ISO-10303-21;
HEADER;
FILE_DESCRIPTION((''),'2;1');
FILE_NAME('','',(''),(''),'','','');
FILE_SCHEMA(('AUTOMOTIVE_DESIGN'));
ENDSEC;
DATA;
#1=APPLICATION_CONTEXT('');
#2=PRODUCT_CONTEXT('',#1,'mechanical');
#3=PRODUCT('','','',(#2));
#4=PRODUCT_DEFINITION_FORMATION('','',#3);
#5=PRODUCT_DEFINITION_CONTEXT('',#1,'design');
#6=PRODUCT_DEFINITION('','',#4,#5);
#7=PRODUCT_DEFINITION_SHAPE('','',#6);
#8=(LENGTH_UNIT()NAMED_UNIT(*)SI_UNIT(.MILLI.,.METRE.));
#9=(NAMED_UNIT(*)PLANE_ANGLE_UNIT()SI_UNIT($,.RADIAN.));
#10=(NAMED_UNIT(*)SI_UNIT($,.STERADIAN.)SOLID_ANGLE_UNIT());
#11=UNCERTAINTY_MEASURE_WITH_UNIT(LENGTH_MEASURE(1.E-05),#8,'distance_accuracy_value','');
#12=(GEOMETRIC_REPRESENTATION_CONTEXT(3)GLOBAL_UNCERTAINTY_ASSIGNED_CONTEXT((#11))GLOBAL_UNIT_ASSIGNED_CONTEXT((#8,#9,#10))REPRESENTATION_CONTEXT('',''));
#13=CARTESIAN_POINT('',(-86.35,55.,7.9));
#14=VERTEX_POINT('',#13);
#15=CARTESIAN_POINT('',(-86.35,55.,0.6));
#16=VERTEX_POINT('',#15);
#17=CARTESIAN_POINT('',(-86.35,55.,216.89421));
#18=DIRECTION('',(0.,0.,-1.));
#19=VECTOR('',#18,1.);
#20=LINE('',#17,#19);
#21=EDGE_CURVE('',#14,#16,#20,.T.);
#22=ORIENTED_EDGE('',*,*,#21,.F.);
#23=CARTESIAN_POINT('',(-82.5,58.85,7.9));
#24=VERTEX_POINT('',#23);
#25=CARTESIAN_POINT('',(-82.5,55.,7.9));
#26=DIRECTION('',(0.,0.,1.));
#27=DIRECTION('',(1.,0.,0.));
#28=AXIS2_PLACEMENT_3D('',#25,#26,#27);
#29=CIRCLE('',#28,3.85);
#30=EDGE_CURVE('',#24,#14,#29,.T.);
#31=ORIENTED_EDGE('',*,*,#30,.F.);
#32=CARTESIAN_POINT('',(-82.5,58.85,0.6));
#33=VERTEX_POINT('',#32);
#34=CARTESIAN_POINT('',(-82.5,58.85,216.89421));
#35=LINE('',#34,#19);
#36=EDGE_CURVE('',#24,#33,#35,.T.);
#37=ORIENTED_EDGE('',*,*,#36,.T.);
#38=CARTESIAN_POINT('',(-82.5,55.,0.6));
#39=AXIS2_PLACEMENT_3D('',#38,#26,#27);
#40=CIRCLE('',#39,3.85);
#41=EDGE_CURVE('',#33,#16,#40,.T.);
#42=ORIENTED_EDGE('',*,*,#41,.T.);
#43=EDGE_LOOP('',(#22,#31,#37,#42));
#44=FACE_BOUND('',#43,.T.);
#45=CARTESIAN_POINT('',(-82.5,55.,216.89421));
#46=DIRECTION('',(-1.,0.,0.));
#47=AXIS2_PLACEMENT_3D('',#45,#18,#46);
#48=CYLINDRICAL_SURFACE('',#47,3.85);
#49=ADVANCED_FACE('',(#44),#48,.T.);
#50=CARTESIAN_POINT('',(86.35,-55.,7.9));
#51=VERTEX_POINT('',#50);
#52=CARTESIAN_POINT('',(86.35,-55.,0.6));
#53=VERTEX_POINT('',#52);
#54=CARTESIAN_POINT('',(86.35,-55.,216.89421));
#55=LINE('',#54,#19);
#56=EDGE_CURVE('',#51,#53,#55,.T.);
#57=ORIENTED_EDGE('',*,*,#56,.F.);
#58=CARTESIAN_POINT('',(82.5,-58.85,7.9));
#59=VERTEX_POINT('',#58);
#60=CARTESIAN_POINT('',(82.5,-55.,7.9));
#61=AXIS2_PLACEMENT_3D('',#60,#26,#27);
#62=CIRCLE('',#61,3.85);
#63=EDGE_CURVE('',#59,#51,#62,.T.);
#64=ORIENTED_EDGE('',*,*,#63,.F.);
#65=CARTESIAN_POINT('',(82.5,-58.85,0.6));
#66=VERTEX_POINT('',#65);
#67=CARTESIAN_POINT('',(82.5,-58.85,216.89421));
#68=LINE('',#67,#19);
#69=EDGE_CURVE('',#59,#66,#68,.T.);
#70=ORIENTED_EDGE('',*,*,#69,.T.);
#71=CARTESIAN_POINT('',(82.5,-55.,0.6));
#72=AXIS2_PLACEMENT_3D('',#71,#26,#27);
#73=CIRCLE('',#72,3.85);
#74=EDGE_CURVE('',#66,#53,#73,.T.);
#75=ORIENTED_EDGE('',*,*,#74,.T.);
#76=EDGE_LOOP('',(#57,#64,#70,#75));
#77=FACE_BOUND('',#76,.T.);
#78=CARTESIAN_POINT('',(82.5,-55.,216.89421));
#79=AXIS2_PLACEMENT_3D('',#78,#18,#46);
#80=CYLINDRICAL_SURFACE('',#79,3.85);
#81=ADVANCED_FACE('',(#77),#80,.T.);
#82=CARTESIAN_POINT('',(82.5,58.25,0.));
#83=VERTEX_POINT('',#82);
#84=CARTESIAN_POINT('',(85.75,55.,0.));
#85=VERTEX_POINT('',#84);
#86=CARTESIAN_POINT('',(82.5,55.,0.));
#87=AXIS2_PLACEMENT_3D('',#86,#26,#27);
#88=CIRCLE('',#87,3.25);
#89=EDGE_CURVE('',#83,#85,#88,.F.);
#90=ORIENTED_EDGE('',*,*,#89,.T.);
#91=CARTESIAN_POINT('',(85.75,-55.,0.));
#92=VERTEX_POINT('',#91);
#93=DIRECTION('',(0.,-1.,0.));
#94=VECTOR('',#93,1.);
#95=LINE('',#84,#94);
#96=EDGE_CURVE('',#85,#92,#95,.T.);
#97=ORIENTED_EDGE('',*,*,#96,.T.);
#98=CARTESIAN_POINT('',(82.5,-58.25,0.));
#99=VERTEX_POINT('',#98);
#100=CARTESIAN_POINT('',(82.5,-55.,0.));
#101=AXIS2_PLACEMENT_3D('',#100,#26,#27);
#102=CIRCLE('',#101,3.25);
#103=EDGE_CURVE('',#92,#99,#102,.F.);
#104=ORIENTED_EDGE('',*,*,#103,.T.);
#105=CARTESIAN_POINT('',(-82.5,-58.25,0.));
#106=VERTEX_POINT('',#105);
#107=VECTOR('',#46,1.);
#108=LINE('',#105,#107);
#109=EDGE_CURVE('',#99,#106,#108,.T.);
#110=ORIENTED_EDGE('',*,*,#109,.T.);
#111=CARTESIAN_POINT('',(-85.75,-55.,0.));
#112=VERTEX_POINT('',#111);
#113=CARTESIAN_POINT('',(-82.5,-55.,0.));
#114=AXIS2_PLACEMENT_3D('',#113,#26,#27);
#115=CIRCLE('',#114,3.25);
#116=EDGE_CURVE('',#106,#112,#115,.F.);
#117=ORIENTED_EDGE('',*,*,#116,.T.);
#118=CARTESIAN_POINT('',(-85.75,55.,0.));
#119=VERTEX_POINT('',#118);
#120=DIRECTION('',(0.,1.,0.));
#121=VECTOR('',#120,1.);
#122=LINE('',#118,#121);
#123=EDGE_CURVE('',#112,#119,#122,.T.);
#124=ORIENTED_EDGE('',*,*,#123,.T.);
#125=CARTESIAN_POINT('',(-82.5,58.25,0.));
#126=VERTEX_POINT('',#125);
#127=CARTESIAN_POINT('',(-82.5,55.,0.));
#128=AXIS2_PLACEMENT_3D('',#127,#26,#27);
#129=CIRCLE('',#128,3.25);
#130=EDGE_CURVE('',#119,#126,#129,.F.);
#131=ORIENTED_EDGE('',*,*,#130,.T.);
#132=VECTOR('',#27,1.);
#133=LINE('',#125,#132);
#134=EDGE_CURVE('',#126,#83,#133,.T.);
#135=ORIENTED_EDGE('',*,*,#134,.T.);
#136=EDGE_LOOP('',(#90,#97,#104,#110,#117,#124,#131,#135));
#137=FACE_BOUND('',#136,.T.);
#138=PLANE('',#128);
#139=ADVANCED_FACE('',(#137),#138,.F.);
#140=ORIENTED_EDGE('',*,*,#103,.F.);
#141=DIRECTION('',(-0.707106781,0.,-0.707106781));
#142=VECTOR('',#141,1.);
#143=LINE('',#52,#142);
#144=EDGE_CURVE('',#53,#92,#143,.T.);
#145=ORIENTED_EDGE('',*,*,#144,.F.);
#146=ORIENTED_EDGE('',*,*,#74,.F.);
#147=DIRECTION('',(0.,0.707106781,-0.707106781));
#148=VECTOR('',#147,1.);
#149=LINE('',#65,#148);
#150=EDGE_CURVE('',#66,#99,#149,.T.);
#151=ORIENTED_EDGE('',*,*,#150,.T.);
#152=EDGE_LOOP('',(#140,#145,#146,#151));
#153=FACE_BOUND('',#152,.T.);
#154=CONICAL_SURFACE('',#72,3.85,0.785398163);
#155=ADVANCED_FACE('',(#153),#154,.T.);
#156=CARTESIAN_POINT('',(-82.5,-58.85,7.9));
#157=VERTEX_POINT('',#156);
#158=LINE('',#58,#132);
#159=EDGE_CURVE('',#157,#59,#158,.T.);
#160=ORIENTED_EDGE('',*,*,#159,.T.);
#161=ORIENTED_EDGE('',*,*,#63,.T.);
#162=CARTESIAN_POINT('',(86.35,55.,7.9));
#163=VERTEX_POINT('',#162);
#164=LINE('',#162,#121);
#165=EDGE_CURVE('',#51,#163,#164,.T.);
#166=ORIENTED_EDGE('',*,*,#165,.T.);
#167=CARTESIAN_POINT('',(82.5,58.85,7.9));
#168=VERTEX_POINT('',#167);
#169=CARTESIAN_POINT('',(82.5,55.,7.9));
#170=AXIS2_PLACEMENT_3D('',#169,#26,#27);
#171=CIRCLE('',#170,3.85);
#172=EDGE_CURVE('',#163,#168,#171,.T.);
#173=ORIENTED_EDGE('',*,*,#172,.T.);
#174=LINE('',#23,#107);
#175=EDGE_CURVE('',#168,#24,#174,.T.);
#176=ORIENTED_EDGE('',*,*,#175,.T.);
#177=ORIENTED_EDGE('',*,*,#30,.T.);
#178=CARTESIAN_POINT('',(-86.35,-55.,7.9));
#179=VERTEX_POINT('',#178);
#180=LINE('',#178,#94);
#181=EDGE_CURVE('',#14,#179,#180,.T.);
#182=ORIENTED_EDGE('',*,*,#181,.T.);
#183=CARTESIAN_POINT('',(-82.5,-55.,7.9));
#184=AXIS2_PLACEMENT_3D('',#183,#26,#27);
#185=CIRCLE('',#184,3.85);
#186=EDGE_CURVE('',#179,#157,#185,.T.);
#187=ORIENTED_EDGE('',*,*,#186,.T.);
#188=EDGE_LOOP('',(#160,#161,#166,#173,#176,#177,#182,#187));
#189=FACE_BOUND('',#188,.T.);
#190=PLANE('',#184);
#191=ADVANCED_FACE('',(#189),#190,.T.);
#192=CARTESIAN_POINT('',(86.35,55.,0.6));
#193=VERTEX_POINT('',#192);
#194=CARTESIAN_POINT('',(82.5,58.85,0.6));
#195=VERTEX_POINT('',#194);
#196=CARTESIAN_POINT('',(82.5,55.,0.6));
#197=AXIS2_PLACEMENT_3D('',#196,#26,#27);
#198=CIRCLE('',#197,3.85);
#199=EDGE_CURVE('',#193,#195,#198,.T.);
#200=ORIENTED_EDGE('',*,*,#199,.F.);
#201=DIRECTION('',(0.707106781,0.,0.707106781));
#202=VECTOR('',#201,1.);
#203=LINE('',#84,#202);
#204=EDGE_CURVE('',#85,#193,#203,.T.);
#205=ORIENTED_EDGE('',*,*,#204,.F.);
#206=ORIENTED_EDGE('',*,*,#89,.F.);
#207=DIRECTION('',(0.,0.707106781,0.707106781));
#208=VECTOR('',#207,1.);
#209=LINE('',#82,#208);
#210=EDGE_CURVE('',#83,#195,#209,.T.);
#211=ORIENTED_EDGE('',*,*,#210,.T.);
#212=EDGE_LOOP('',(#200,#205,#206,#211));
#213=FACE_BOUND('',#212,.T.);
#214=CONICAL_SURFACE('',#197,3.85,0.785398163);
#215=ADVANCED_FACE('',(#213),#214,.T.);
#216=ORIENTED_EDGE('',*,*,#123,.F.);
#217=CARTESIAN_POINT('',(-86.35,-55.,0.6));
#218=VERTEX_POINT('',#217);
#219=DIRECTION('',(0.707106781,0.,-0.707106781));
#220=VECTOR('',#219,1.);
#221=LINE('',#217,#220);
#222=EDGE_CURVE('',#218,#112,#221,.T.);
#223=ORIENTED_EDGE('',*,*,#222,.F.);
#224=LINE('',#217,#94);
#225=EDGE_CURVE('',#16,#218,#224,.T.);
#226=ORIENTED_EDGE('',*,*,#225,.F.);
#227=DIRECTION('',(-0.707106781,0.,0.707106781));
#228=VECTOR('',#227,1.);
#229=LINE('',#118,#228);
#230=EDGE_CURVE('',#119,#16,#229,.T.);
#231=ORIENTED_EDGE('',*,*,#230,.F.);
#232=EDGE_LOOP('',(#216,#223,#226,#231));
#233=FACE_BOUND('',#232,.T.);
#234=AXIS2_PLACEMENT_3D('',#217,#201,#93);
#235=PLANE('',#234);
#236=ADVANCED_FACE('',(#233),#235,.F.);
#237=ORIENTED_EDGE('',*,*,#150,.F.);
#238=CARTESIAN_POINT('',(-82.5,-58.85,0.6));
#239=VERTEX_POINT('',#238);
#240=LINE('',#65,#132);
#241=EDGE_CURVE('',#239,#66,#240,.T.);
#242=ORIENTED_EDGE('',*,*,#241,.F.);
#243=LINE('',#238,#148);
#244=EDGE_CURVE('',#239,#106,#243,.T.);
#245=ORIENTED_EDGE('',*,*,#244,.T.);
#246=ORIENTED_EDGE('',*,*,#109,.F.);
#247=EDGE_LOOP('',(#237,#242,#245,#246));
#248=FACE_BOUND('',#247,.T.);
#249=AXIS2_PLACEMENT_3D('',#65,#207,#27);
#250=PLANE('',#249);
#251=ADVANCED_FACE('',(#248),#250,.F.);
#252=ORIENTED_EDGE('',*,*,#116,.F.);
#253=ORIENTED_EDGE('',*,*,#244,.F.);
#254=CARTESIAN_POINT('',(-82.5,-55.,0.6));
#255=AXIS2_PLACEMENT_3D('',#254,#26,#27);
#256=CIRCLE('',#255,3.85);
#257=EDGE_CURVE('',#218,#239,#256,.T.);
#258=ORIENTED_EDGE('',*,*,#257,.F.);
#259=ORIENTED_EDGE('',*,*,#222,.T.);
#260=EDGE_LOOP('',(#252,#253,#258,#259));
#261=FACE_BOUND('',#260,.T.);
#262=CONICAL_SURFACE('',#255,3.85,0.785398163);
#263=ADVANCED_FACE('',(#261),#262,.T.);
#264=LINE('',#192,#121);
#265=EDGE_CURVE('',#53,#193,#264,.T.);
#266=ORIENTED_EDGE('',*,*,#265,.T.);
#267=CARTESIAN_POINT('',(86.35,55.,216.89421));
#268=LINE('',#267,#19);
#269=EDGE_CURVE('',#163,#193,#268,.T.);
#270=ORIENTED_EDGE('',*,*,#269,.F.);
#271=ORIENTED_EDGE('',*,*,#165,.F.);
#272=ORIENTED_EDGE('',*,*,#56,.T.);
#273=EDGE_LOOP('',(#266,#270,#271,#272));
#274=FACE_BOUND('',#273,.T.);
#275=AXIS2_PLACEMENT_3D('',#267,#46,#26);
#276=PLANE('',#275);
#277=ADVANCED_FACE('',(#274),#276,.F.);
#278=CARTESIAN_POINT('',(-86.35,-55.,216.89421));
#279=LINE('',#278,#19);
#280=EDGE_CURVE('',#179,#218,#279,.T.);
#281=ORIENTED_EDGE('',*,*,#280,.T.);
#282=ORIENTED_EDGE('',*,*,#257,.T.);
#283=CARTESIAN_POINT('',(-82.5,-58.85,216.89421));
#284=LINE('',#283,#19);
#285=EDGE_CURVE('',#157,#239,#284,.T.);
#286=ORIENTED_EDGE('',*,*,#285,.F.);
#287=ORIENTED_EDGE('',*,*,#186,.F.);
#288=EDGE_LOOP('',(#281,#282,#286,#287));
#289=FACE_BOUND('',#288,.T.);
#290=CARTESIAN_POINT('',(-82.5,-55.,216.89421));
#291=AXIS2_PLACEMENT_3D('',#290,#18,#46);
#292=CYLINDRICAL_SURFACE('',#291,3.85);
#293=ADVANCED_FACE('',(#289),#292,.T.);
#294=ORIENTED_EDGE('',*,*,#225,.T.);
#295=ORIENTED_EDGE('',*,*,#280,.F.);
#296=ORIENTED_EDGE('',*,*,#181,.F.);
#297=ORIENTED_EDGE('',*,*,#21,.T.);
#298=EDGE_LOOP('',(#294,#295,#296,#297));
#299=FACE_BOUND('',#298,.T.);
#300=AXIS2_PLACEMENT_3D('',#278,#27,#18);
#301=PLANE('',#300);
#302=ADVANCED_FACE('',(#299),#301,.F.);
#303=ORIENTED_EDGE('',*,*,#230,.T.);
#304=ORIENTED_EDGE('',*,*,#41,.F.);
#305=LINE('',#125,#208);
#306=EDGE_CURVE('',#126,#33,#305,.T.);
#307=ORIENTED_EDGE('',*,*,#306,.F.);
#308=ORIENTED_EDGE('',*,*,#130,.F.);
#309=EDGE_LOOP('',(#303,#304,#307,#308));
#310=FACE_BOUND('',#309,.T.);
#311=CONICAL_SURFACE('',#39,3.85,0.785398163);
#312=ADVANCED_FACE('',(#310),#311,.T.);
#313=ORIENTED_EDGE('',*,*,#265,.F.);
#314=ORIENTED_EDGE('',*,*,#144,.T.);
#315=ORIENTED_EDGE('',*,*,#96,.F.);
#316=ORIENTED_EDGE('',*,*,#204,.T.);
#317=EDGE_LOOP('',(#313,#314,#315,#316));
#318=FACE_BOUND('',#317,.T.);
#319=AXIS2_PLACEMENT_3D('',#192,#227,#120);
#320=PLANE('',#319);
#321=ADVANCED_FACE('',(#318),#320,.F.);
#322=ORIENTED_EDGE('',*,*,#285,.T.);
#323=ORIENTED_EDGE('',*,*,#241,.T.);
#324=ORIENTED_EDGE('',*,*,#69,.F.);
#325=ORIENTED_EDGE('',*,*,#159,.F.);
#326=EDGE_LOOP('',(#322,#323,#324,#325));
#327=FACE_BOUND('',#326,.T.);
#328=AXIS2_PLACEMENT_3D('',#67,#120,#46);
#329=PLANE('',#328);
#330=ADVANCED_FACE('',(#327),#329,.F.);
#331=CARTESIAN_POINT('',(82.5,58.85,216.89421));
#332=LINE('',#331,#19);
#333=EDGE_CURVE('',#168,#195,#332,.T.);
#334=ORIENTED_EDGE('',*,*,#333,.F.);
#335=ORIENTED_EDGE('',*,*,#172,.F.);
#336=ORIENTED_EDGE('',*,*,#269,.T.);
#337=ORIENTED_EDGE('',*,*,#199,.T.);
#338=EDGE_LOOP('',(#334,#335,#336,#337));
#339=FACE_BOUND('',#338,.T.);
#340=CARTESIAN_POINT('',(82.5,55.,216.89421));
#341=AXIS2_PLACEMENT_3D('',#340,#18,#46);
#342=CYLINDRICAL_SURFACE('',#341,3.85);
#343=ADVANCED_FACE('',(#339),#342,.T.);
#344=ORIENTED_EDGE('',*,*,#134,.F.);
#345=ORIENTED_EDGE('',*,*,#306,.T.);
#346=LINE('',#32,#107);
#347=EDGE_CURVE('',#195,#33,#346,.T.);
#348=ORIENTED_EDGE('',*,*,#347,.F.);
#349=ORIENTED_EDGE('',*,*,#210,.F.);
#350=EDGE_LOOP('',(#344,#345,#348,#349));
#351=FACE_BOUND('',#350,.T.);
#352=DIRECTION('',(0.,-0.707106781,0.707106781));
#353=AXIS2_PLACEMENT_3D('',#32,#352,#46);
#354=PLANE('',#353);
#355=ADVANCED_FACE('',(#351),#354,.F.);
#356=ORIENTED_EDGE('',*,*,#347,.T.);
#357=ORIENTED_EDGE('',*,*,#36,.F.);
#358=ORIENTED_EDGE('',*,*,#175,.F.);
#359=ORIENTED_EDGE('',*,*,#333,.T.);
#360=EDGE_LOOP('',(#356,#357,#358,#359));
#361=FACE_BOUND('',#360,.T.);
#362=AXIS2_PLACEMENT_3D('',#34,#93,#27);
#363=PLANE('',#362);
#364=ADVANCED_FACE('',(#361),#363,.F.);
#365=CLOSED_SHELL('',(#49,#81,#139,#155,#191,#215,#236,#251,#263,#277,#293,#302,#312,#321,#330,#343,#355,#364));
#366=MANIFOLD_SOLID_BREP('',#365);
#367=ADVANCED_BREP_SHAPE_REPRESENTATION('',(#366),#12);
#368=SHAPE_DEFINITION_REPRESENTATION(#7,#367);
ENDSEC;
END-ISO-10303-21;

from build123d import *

# Parameters (mm, degrees)
BOSS_EXTRUDE1_DEPTH = 7.9
CHAMFER1_SIZE       = 0.6


with BuildPart() as part:
    # Sketch1 → Boss-Extrude1 (new body)
    with BuildSketch(Plane.XY):
        with BuildLine():
            Line((-82.5, 58.85), (82.5, 58.85))
            ThreePointArc((82.5, 58.85), (85.222361108, 57.722361108), (86.35, 55))
            Line((86.35, 55), (86.35, -55))
            ThreePointArc((86.35, -55), (85.222361108, -57.722361108), (82.5, -58.85))
            Line((82.5, -58.85), (-82.5, -58.85))
            ThreePointArc((-82.5, -58.85), (-85.222361108, -57.722361108), (-86.35, -55))
            Line((-86.35, -55), (-86.35, 55))
            ThreePointArc((-86.35, 55), (-85.222361108, 57.722361108), (-82.5, 58.85))
        make_face()
    extrude(amount=BOSS_EXTRUDE1_DEPTH)

    # Chamfer1
    chamfer1_edges = [part.edges().sort_by_distance(p)[0] for p in [
        (-86.35, 0, 0),
        (-85.222361108, -57.722361108, 0),
        (0, -58.85, 0),
        (85.222361108, -57.722361108, 0),
        (86.35, 0, 0),
        (85.222361108, 57.722361108, 0),
        (0, 58.85, 0),
        (-85.222361108, 57.722361108, 0),
    ]]
    chamfer(chamfer1_edges, length=CHAMFER1_SIZE)


solid = part.part
